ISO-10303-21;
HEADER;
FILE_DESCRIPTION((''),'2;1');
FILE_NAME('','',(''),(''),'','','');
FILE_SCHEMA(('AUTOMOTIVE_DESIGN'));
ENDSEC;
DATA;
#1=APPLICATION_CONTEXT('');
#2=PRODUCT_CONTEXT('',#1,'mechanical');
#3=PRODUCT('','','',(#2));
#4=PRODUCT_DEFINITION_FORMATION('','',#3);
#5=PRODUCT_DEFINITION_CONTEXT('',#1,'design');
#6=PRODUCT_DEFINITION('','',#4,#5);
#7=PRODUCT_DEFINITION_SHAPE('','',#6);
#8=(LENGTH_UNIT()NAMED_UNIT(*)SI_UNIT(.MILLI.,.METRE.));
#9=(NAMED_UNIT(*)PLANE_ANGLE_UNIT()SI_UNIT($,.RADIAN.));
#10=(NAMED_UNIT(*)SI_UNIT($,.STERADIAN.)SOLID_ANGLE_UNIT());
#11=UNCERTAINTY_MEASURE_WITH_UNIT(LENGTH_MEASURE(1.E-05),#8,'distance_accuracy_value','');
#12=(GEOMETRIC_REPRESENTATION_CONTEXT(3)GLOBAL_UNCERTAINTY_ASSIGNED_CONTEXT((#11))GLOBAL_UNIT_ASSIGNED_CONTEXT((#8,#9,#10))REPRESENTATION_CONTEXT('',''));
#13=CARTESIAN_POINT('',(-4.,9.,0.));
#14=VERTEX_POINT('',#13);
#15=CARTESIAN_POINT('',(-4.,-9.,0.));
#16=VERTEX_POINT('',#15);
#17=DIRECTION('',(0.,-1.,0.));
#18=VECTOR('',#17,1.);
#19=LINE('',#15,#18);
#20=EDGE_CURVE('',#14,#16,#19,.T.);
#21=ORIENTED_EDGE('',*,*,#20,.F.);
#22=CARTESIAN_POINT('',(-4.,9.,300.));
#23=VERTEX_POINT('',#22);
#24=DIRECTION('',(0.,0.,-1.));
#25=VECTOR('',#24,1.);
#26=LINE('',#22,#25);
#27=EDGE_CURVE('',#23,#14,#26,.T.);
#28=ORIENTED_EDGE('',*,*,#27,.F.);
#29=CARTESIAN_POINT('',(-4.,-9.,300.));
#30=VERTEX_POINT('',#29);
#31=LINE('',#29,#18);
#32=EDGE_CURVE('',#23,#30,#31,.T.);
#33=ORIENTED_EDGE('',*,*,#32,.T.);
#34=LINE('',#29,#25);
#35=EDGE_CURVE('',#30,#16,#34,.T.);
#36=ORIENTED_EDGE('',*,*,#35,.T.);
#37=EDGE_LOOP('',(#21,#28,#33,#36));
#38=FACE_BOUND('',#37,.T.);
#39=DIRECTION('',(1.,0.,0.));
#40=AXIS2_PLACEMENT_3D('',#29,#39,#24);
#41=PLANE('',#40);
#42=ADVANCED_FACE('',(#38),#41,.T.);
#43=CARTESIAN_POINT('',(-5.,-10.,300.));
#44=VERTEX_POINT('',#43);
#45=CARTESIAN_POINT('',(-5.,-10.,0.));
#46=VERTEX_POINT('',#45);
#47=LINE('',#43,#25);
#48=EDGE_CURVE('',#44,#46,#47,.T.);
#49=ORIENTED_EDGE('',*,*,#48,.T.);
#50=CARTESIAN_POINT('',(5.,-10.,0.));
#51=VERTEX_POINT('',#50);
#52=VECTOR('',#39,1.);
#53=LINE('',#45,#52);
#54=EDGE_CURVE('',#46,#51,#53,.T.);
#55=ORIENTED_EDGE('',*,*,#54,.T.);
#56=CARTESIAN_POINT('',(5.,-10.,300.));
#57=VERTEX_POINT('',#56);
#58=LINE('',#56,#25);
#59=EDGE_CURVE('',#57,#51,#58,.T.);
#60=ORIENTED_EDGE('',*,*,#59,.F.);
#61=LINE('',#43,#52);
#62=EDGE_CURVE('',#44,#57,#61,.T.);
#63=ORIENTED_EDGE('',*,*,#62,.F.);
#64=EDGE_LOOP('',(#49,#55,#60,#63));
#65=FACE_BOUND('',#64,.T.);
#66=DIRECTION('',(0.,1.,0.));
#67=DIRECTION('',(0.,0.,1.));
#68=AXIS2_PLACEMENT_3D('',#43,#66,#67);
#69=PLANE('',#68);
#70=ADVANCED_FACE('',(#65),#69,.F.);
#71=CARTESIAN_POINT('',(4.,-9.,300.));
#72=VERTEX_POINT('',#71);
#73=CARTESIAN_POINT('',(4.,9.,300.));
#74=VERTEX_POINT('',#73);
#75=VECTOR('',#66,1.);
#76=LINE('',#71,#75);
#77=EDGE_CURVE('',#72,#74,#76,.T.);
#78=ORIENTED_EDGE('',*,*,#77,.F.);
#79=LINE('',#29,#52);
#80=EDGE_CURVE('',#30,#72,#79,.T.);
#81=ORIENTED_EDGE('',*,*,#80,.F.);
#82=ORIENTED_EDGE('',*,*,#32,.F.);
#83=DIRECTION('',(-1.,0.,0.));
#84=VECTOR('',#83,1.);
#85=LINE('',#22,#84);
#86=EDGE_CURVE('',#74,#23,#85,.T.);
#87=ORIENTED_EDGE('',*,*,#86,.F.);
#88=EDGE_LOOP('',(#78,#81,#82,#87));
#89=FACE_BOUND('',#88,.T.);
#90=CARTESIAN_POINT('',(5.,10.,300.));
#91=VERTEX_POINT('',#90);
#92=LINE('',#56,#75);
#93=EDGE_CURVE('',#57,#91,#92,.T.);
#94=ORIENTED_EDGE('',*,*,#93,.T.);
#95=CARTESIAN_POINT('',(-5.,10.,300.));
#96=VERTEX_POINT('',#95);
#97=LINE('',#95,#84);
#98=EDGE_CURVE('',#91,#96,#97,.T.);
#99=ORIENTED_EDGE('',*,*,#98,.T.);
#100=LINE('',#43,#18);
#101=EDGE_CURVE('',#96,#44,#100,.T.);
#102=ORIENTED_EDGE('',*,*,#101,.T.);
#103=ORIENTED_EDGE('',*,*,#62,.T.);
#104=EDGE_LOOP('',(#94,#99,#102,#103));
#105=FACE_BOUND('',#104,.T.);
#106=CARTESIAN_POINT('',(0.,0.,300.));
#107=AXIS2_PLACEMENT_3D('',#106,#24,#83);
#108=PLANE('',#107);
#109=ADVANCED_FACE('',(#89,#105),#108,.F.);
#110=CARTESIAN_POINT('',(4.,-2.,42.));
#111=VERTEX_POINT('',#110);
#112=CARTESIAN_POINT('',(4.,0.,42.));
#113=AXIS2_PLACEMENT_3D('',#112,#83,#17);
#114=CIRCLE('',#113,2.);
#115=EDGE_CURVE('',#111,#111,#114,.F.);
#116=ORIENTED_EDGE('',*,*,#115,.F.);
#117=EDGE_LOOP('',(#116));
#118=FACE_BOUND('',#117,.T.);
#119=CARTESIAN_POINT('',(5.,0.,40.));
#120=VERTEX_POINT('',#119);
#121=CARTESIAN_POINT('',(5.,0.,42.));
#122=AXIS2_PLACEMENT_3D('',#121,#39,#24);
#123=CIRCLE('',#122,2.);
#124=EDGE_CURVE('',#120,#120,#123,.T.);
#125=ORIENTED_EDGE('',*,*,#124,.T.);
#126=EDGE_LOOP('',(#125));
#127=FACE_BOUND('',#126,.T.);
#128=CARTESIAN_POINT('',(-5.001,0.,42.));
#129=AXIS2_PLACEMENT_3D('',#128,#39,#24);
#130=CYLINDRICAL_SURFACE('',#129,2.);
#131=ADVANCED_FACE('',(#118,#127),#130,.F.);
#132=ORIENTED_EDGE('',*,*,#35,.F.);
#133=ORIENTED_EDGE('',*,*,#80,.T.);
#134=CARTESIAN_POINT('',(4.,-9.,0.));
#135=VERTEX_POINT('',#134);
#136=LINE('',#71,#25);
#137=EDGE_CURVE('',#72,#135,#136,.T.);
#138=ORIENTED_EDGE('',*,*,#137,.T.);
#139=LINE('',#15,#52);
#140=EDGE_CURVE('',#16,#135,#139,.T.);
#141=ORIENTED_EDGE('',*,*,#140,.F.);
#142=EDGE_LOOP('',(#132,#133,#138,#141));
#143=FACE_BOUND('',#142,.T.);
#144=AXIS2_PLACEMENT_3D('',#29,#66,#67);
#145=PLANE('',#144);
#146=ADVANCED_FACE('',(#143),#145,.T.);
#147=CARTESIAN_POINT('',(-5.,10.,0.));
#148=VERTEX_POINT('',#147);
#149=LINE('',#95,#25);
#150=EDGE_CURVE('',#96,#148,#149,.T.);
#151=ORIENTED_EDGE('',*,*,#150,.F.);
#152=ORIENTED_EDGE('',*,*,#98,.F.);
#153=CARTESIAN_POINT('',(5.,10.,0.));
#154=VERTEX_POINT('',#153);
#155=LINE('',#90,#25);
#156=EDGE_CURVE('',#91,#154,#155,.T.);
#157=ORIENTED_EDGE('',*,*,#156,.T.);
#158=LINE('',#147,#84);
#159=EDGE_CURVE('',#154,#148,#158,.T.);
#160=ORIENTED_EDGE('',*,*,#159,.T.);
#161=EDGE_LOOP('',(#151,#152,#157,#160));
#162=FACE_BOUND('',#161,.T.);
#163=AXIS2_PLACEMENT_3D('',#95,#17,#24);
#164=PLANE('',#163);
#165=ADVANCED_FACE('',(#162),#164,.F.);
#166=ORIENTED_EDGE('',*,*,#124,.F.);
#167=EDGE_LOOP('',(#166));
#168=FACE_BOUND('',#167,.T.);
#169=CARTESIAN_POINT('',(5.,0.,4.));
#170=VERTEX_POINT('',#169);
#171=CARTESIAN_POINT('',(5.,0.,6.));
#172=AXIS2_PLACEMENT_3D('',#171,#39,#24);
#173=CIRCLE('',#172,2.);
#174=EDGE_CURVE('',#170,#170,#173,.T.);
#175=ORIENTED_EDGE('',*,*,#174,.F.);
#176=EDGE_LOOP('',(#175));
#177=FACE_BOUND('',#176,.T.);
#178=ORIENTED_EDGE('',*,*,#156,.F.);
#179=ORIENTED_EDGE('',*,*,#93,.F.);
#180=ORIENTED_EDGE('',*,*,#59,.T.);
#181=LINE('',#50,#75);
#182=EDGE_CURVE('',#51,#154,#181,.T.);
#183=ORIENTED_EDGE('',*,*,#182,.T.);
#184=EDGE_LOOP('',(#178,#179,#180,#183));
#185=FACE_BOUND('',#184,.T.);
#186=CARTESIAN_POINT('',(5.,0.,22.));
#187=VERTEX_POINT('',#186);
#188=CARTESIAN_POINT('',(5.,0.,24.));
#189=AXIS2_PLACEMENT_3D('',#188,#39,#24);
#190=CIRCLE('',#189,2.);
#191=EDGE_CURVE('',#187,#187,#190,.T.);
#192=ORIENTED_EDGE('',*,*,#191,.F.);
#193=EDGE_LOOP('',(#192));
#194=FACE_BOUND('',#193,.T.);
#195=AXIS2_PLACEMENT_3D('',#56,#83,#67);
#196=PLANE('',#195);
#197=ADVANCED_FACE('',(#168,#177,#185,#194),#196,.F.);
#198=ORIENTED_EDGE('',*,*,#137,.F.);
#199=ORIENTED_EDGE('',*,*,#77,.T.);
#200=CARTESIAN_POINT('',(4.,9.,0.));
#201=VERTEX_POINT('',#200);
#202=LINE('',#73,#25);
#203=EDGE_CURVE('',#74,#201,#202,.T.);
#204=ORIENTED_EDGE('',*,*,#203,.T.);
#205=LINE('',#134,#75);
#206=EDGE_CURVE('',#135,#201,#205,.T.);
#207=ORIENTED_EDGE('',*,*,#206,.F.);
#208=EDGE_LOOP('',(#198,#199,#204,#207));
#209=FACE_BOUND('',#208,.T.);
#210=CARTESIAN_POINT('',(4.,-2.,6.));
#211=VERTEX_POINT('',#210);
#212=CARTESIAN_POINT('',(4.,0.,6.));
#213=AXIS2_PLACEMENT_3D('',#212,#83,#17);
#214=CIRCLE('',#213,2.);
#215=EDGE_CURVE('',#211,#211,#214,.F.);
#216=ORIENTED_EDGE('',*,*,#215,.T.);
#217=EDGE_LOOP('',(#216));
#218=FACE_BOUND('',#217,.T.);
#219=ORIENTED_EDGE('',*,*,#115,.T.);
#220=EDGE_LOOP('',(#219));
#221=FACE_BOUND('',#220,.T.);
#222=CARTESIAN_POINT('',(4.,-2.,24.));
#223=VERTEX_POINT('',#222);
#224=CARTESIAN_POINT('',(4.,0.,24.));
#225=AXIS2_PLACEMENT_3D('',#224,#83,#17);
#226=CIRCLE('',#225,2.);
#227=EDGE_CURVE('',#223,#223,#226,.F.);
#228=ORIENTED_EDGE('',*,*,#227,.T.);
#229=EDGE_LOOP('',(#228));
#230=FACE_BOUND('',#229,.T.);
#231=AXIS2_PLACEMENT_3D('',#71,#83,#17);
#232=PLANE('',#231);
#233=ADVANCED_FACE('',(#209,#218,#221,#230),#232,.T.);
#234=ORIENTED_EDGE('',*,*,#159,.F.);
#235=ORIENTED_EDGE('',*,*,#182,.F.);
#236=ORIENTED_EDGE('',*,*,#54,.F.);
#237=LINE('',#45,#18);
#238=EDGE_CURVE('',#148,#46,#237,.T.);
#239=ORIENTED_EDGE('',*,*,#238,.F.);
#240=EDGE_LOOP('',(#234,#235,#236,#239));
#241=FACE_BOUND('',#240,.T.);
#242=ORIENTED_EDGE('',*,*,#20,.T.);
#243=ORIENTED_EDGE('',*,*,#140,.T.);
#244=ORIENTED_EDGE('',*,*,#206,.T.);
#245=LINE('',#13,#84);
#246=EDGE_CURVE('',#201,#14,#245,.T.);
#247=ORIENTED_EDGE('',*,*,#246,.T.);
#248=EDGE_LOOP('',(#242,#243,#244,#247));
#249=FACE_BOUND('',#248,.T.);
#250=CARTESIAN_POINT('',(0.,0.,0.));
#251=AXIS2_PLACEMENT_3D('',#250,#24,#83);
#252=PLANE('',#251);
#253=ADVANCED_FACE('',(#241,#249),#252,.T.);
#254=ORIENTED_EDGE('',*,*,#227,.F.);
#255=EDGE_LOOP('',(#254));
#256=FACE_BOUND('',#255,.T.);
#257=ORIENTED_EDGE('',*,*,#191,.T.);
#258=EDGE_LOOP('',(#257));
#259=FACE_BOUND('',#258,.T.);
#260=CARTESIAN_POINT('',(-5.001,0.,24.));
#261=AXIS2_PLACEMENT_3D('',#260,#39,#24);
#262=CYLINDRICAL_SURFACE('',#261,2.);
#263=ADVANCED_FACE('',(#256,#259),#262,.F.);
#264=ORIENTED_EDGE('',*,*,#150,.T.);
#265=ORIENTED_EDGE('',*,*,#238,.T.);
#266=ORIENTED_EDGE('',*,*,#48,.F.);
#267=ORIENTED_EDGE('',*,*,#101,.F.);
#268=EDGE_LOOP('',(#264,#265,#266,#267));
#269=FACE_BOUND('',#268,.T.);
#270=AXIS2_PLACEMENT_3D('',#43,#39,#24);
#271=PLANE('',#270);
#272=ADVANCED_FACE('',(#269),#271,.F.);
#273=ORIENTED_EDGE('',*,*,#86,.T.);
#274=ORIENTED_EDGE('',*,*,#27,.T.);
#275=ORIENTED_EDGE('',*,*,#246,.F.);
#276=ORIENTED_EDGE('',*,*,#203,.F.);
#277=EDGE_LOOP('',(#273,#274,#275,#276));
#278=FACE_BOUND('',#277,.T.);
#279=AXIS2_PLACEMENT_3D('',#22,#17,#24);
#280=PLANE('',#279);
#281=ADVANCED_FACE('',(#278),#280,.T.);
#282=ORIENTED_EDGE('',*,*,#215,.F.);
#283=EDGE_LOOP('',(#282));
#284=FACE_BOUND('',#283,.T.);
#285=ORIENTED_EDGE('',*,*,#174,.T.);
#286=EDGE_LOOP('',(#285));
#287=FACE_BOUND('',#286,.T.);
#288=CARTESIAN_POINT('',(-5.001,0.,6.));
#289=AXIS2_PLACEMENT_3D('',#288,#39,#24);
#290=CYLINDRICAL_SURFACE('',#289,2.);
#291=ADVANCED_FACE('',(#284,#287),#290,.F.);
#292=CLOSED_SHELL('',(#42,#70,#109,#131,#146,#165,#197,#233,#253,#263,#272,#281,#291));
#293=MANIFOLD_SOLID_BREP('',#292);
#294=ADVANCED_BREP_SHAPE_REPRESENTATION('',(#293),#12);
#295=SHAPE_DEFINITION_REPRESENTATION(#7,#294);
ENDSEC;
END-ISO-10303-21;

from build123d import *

# Parameters (mm, degrees)
SKETCH1_W           = 10
SKETCH1_H           = 20
SKETCH1_W_2         = 8
SKETCH1_H_2         = 18
BOSS_EXTRUDE1_DEPTH = 300
CUT_EXTRUDE1_REACH  = 302.333
SKETCH2_R           = 2


with BuildPart() as part:
    # Sketch1 → Boss-Extrude1 (new body)
    with BuildSketch(Plane.XY):
        Rectangle(SKETCH1_W, SKETCH1_H)
        Rectangle(SKETCH1_W_2, SKETCH1_H_2, mode=Mode.SUBTRACT)
    extrude(amount=BOSS_EXTRUDE1_DEPTH)

    # Sketch2 → Cut-Extrude1 (cut, up to next)
    with BuildSketch(Plane(origin=(5, 0, 0), x_dir=(0, 0, -1), z_dir=(1, 0, 0)), mode=Mode.PRIVATE) as cut_extrude1_sk1:
        with Locations((-6, 0)):
            Circle(SKETCH2_R)
    cut_extrude1_tool1 = extrude(cut_extrude1_sk1.sketch, amount=-CUT_EXTRUDE1_REACH, mode=Mode.PRIVATE) & part.part
    # Sketch2 → Cut-Extrude1 (cut, up to next)
    with BuildSketch(Plane(origin=(5, 0, 0), x_dir=(0, 0, -1), z_dir=(1, 0, 0)), mode=Mode.PRIVATE) as cut_extrude1_sk2:
        with Locations((-24, 0)):
            Circle(SKETCH2_R)
    cut_extrude1_tool2 = extrude(cut_extrude1_sk2.sketch, amount=-CUT_EXTRUDE1_REACH, mode=Mode.PRIVATE) & part.part
    # Sketch2 → Cut-Extrude1 (cut, up to next)
    with BuildSketch(Plane(origin=(5, 0, 0), x_dir=(0, 0, -1), z_dir=(1, 0, 0)), mode=Mode.PRIVATE) as cut_extrude1_sk3:
        with Locations((-42, 0)):
            Circle(SKETCH2_R)
    cut_extrude1_tool3 = extrude(cut_extrude1_sk3.sketch, amount=-CUT_EXTRUDE1_REACH, mode=Mode.PRIVATE) & part.part
    add(cut_extrude1_tool1.solids().sort_by_distance((5, 0, 6))[0], mode=Mode.SUBTRACT)
    add(cut_extrude1_tool2.solids().sort_by_distance((5, 0, 24))[0], mode=Mode.SUBTRACT)
    add(cut_extrude1_tool3.solids().sort_by_distance((5, 0, 42))[0], mode=Mode.SUBTRACT)


solid = part.part
